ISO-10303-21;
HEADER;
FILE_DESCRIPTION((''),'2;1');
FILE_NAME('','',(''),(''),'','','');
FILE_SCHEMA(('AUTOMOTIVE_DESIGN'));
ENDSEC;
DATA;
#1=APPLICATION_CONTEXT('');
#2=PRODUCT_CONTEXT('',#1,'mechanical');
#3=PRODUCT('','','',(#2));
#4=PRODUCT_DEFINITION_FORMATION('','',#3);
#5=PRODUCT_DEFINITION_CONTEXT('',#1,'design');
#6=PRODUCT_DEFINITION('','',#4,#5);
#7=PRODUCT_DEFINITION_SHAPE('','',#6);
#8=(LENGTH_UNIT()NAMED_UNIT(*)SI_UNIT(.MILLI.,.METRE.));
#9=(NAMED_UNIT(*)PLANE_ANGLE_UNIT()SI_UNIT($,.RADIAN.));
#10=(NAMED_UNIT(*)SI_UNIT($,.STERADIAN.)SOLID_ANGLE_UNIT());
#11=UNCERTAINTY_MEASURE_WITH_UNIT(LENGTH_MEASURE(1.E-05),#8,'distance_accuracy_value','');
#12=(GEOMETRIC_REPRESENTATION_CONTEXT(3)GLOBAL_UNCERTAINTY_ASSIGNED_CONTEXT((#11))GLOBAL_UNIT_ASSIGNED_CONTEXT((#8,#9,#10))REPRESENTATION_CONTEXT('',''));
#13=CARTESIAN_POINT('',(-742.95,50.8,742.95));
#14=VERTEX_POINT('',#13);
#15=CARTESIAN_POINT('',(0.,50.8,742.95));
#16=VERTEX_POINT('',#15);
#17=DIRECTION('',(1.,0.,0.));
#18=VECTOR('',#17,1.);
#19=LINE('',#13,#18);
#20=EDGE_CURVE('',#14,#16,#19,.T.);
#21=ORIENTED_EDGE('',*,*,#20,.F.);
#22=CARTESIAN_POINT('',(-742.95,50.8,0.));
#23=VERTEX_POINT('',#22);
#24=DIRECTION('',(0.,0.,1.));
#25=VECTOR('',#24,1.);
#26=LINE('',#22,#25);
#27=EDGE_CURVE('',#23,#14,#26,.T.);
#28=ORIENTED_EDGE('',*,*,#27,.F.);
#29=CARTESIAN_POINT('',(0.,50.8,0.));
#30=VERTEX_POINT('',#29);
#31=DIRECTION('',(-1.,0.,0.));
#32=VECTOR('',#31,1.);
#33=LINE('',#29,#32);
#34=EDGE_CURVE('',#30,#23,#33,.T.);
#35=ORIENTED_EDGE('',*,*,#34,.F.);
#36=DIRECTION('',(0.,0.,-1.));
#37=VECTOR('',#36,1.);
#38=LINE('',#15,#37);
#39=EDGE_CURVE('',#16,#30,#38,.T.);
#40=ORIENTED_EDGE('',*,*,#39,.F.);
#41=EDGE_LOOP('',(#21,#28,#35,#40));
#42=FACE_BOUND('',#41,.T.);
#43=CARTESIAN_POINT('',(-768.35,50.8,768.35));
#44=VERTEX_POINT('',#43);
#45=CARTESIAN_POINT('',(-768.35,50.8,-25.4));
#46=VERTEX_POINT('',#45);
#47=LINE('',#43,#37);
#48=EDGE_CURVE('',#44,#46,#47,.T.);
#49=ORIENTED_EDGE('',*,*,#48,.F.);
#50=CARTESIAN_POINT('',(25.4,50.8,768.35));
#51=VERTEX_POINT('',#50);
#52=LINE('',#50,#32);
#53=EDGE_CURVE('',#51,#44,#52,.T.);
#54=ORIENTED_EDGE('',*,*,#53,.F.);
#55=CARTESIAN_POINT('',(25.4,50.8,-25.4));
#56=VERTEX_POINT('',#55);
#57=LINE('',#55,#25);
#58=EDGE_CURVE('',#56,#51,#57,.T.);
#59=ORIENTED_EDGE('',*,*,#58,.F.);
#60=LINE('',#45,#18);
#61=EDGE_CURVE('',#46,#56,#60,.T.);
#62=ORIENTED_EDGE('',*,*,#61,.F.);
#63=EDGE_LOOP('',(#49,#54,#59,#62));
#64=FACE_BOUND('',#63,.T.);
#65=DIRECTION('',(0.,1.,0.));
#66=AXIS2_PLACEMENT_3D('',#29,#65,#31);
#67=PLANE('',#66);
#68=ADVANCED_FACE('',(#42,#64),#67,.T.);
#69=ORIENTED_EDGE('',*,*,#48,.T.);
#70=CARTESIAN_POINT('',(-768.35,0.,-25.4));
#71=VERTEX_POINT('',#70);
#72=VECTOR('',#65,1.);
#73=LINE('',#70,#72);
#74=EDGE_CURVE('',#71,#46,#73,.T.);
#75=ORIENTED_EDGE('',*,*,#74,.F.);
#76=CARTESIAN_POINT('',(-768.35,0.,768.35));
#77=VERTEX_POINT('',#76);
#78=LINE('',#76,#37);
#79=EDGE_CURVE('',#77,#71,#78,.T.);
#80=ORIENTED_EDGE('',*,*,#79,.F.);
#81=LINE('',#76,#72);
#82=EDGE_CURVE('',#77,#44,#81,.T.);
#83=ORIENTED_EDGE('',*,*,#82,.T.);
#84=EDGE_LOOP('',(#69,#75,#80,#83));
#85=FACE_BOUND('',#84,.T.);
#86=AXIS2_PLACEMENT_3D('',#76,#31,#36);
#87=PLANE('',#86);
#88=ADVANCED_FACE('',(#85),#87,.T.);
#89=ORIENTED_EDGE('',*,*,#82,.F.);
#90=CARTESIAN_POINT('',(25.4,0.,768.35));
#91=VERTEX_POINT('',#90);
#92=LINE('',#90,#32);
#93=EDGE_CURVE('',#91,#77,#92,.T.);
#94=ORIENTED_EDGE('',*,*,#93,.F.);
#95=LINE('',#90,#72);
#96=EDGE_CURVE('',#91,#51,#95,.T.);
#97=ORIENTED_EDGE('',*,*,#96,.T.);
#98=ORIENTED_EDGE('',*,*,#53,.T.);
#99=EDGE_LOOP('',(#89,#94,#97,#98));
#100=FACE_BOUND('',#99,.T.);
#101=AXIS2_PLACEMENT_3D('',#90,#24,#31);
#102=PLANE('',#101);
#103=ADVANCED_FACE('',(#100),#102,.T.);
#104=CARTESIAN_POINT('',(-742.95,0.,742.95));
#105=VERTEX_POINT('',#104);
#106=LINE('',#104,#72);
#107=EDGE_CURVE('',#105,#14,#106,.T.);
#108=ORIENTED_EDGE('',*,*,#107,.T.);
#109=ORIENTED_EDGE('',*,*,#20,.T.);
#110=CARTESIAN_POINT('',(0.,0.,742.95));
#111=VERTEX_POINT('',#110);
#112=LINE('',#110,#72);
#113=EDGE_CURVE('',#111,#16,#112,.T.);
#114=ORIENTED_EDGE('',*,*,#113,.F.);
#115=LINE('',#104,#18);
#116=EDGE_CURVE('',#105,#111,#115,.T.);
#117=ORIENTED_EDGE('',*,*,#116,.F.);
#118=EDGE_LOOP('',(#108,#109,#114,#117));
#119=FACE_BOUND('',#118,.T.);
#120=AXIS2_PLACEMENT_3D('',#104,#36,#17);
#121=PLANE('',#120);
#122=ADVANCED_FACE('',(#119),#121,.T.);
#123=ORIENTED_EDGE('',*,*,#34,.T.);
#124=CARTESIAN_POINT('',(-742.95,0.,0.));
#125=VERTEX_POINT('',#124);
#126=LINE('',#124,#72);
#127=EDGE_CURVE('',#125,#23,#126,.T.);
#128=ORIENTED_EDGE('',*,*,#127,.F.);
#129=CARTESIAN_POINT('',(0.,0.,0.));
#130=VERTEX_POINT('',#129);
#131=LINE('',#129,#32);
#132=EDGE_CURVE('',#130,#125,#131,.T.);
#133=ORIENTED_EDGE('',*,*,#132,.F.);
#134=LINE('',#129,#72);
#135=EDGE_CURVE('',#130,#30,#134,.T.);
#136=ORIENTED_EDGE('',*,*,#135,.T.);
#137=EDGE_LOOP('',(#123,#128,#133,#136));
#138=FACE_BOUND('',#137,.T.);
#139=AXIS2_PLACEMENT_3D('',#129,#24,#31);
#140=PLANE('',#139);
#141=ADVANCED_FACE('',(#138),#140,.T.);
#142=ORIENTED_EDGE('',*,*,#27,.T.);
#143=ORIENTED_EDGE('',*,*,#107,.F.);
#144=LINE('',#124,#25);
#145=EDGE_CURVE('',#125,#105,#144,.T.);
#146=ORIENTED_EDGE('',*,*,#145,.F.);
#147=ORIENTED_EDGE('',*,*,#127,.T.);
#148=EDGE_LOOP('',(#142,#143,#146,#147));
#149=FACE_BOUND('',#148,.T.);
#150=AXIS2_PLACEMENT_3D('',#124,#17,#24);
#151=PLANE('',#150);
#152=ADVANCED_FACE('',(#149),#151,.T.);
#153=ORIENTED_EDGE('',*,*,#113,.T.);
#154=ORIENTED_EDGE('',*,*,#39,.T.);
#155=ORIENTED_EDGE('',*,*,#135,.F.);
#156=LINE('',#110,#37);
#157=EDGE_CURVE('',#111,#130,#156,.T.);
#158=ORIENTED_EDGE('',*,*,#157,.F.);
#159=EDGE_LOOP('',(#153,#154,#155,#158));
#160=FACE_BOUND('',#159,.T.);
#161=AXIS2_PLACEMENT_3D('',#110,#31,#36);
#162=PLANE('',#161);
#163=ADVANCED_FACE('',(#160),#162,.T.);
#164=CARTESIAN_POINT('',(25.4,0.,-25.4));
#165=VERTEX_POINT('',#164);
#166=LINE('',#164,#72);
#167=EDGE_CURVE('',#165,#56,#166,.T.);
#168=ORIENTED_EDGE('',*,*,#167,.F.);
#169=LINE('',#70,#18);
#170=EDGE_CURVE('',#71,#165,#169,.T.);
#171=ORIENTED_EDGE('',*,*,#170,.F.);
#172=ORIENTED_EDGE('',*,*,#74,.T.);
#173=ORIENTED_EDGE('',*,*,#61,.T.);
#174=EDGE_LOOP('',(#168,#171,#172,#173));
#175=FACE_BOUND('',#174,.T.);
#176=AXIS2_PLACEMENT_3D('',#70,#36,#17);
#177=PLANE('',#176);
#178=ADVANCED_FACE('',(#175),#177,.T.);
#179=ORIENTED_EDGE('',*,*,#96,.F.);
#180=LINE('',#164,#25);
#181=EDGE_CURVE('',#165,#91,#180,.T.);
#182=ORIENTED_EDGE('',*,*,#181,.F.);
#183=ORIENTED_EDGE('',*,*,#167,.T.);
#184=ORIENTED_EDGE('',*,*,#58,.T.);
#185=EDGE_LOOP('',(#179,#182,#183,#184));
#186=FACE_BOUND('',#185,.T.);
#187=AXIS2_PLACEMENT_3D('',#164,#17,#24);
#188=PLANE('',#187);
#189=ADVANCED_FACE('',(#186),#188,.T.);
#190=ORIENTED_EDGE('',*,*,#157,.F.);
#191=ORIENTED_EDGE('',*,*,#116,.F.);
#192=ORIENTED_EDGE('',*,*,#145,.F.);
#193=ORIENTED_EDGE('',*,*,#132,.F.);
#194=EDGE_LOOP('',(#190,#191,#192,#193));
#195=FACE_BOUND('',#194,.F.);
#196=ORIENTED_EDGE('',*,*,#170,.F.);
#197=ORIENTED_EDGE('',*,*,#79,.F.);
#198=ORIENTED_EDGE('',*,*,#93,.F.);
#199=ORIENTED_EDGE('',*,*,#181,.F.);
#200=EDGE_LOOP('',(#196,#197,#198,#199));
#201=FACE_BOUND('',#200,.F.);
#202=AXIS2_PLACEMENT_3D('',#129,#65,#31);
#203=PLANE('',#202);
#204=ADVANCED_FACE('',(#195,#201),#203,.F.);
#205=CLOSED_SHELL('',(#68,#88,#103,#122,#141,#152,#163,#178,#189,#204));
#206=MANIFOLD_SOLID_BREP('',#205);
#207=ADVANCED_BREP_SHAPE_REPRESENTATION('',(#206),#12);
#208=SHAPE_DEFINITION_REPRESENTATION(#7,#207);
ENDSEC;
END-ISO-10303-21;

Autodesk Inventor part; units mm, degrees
ref_plane "YZ Plane" through (0, 0, 0) normal (1, 0, 0) x (0, 1, 0)
ref_plane "XZ Plane" through (0, 0, 0) normal (0, 1, 0) x (-1, 0, 0)
ref_plane "XY Plane" through (0, 0, 0) normal (0, 0, 1) x (1, 0, 0)
sketch "Sketch1" plane through (0, 0, 0) normal (0, 1, 0) x (-1, 0, 0)
  line L0 (0, 0) -> (742.95, 0)
  line L1 (742.95, 0) -> (742.95, 742.95)
  line L2 (742.95, 742.95) -> (0, 742.95)
  line L3 (0, 742.95) -> (0, 0)
  line L4 (0, 742.95) -> (742.95, 0) construction
  line L5 (0, 0) -> (742.95, 742.95) construction
  line L6 (768.35, -25.4) -> (-25.4, -25.4)
  line L7 (-25.4, -25.4) -> (-25.4, 768.35)
  line L8 (-25.4, 768.35) -> (768.35, 768.35)
  line L9 (768.35, 768.35) -> (768.35, -25.4)
  line L10 (768.35, -25.4) -> (-25.4, 768.35) construction
  line L11 (-25.4, -25.4) -> (768.35, 768.35) construction
  point P0 (371.475, 371.475)
  point P1 (-25.4, 371.475)
  dimension "d0" = 742.95
  dimension "d2" = 25.4
  dimension "d3" = 25.4
extrude "Extrusion1" add sketch "Sketch1" along normal blind 50.8
properties part number "200554" material "Wood (Oak)"
